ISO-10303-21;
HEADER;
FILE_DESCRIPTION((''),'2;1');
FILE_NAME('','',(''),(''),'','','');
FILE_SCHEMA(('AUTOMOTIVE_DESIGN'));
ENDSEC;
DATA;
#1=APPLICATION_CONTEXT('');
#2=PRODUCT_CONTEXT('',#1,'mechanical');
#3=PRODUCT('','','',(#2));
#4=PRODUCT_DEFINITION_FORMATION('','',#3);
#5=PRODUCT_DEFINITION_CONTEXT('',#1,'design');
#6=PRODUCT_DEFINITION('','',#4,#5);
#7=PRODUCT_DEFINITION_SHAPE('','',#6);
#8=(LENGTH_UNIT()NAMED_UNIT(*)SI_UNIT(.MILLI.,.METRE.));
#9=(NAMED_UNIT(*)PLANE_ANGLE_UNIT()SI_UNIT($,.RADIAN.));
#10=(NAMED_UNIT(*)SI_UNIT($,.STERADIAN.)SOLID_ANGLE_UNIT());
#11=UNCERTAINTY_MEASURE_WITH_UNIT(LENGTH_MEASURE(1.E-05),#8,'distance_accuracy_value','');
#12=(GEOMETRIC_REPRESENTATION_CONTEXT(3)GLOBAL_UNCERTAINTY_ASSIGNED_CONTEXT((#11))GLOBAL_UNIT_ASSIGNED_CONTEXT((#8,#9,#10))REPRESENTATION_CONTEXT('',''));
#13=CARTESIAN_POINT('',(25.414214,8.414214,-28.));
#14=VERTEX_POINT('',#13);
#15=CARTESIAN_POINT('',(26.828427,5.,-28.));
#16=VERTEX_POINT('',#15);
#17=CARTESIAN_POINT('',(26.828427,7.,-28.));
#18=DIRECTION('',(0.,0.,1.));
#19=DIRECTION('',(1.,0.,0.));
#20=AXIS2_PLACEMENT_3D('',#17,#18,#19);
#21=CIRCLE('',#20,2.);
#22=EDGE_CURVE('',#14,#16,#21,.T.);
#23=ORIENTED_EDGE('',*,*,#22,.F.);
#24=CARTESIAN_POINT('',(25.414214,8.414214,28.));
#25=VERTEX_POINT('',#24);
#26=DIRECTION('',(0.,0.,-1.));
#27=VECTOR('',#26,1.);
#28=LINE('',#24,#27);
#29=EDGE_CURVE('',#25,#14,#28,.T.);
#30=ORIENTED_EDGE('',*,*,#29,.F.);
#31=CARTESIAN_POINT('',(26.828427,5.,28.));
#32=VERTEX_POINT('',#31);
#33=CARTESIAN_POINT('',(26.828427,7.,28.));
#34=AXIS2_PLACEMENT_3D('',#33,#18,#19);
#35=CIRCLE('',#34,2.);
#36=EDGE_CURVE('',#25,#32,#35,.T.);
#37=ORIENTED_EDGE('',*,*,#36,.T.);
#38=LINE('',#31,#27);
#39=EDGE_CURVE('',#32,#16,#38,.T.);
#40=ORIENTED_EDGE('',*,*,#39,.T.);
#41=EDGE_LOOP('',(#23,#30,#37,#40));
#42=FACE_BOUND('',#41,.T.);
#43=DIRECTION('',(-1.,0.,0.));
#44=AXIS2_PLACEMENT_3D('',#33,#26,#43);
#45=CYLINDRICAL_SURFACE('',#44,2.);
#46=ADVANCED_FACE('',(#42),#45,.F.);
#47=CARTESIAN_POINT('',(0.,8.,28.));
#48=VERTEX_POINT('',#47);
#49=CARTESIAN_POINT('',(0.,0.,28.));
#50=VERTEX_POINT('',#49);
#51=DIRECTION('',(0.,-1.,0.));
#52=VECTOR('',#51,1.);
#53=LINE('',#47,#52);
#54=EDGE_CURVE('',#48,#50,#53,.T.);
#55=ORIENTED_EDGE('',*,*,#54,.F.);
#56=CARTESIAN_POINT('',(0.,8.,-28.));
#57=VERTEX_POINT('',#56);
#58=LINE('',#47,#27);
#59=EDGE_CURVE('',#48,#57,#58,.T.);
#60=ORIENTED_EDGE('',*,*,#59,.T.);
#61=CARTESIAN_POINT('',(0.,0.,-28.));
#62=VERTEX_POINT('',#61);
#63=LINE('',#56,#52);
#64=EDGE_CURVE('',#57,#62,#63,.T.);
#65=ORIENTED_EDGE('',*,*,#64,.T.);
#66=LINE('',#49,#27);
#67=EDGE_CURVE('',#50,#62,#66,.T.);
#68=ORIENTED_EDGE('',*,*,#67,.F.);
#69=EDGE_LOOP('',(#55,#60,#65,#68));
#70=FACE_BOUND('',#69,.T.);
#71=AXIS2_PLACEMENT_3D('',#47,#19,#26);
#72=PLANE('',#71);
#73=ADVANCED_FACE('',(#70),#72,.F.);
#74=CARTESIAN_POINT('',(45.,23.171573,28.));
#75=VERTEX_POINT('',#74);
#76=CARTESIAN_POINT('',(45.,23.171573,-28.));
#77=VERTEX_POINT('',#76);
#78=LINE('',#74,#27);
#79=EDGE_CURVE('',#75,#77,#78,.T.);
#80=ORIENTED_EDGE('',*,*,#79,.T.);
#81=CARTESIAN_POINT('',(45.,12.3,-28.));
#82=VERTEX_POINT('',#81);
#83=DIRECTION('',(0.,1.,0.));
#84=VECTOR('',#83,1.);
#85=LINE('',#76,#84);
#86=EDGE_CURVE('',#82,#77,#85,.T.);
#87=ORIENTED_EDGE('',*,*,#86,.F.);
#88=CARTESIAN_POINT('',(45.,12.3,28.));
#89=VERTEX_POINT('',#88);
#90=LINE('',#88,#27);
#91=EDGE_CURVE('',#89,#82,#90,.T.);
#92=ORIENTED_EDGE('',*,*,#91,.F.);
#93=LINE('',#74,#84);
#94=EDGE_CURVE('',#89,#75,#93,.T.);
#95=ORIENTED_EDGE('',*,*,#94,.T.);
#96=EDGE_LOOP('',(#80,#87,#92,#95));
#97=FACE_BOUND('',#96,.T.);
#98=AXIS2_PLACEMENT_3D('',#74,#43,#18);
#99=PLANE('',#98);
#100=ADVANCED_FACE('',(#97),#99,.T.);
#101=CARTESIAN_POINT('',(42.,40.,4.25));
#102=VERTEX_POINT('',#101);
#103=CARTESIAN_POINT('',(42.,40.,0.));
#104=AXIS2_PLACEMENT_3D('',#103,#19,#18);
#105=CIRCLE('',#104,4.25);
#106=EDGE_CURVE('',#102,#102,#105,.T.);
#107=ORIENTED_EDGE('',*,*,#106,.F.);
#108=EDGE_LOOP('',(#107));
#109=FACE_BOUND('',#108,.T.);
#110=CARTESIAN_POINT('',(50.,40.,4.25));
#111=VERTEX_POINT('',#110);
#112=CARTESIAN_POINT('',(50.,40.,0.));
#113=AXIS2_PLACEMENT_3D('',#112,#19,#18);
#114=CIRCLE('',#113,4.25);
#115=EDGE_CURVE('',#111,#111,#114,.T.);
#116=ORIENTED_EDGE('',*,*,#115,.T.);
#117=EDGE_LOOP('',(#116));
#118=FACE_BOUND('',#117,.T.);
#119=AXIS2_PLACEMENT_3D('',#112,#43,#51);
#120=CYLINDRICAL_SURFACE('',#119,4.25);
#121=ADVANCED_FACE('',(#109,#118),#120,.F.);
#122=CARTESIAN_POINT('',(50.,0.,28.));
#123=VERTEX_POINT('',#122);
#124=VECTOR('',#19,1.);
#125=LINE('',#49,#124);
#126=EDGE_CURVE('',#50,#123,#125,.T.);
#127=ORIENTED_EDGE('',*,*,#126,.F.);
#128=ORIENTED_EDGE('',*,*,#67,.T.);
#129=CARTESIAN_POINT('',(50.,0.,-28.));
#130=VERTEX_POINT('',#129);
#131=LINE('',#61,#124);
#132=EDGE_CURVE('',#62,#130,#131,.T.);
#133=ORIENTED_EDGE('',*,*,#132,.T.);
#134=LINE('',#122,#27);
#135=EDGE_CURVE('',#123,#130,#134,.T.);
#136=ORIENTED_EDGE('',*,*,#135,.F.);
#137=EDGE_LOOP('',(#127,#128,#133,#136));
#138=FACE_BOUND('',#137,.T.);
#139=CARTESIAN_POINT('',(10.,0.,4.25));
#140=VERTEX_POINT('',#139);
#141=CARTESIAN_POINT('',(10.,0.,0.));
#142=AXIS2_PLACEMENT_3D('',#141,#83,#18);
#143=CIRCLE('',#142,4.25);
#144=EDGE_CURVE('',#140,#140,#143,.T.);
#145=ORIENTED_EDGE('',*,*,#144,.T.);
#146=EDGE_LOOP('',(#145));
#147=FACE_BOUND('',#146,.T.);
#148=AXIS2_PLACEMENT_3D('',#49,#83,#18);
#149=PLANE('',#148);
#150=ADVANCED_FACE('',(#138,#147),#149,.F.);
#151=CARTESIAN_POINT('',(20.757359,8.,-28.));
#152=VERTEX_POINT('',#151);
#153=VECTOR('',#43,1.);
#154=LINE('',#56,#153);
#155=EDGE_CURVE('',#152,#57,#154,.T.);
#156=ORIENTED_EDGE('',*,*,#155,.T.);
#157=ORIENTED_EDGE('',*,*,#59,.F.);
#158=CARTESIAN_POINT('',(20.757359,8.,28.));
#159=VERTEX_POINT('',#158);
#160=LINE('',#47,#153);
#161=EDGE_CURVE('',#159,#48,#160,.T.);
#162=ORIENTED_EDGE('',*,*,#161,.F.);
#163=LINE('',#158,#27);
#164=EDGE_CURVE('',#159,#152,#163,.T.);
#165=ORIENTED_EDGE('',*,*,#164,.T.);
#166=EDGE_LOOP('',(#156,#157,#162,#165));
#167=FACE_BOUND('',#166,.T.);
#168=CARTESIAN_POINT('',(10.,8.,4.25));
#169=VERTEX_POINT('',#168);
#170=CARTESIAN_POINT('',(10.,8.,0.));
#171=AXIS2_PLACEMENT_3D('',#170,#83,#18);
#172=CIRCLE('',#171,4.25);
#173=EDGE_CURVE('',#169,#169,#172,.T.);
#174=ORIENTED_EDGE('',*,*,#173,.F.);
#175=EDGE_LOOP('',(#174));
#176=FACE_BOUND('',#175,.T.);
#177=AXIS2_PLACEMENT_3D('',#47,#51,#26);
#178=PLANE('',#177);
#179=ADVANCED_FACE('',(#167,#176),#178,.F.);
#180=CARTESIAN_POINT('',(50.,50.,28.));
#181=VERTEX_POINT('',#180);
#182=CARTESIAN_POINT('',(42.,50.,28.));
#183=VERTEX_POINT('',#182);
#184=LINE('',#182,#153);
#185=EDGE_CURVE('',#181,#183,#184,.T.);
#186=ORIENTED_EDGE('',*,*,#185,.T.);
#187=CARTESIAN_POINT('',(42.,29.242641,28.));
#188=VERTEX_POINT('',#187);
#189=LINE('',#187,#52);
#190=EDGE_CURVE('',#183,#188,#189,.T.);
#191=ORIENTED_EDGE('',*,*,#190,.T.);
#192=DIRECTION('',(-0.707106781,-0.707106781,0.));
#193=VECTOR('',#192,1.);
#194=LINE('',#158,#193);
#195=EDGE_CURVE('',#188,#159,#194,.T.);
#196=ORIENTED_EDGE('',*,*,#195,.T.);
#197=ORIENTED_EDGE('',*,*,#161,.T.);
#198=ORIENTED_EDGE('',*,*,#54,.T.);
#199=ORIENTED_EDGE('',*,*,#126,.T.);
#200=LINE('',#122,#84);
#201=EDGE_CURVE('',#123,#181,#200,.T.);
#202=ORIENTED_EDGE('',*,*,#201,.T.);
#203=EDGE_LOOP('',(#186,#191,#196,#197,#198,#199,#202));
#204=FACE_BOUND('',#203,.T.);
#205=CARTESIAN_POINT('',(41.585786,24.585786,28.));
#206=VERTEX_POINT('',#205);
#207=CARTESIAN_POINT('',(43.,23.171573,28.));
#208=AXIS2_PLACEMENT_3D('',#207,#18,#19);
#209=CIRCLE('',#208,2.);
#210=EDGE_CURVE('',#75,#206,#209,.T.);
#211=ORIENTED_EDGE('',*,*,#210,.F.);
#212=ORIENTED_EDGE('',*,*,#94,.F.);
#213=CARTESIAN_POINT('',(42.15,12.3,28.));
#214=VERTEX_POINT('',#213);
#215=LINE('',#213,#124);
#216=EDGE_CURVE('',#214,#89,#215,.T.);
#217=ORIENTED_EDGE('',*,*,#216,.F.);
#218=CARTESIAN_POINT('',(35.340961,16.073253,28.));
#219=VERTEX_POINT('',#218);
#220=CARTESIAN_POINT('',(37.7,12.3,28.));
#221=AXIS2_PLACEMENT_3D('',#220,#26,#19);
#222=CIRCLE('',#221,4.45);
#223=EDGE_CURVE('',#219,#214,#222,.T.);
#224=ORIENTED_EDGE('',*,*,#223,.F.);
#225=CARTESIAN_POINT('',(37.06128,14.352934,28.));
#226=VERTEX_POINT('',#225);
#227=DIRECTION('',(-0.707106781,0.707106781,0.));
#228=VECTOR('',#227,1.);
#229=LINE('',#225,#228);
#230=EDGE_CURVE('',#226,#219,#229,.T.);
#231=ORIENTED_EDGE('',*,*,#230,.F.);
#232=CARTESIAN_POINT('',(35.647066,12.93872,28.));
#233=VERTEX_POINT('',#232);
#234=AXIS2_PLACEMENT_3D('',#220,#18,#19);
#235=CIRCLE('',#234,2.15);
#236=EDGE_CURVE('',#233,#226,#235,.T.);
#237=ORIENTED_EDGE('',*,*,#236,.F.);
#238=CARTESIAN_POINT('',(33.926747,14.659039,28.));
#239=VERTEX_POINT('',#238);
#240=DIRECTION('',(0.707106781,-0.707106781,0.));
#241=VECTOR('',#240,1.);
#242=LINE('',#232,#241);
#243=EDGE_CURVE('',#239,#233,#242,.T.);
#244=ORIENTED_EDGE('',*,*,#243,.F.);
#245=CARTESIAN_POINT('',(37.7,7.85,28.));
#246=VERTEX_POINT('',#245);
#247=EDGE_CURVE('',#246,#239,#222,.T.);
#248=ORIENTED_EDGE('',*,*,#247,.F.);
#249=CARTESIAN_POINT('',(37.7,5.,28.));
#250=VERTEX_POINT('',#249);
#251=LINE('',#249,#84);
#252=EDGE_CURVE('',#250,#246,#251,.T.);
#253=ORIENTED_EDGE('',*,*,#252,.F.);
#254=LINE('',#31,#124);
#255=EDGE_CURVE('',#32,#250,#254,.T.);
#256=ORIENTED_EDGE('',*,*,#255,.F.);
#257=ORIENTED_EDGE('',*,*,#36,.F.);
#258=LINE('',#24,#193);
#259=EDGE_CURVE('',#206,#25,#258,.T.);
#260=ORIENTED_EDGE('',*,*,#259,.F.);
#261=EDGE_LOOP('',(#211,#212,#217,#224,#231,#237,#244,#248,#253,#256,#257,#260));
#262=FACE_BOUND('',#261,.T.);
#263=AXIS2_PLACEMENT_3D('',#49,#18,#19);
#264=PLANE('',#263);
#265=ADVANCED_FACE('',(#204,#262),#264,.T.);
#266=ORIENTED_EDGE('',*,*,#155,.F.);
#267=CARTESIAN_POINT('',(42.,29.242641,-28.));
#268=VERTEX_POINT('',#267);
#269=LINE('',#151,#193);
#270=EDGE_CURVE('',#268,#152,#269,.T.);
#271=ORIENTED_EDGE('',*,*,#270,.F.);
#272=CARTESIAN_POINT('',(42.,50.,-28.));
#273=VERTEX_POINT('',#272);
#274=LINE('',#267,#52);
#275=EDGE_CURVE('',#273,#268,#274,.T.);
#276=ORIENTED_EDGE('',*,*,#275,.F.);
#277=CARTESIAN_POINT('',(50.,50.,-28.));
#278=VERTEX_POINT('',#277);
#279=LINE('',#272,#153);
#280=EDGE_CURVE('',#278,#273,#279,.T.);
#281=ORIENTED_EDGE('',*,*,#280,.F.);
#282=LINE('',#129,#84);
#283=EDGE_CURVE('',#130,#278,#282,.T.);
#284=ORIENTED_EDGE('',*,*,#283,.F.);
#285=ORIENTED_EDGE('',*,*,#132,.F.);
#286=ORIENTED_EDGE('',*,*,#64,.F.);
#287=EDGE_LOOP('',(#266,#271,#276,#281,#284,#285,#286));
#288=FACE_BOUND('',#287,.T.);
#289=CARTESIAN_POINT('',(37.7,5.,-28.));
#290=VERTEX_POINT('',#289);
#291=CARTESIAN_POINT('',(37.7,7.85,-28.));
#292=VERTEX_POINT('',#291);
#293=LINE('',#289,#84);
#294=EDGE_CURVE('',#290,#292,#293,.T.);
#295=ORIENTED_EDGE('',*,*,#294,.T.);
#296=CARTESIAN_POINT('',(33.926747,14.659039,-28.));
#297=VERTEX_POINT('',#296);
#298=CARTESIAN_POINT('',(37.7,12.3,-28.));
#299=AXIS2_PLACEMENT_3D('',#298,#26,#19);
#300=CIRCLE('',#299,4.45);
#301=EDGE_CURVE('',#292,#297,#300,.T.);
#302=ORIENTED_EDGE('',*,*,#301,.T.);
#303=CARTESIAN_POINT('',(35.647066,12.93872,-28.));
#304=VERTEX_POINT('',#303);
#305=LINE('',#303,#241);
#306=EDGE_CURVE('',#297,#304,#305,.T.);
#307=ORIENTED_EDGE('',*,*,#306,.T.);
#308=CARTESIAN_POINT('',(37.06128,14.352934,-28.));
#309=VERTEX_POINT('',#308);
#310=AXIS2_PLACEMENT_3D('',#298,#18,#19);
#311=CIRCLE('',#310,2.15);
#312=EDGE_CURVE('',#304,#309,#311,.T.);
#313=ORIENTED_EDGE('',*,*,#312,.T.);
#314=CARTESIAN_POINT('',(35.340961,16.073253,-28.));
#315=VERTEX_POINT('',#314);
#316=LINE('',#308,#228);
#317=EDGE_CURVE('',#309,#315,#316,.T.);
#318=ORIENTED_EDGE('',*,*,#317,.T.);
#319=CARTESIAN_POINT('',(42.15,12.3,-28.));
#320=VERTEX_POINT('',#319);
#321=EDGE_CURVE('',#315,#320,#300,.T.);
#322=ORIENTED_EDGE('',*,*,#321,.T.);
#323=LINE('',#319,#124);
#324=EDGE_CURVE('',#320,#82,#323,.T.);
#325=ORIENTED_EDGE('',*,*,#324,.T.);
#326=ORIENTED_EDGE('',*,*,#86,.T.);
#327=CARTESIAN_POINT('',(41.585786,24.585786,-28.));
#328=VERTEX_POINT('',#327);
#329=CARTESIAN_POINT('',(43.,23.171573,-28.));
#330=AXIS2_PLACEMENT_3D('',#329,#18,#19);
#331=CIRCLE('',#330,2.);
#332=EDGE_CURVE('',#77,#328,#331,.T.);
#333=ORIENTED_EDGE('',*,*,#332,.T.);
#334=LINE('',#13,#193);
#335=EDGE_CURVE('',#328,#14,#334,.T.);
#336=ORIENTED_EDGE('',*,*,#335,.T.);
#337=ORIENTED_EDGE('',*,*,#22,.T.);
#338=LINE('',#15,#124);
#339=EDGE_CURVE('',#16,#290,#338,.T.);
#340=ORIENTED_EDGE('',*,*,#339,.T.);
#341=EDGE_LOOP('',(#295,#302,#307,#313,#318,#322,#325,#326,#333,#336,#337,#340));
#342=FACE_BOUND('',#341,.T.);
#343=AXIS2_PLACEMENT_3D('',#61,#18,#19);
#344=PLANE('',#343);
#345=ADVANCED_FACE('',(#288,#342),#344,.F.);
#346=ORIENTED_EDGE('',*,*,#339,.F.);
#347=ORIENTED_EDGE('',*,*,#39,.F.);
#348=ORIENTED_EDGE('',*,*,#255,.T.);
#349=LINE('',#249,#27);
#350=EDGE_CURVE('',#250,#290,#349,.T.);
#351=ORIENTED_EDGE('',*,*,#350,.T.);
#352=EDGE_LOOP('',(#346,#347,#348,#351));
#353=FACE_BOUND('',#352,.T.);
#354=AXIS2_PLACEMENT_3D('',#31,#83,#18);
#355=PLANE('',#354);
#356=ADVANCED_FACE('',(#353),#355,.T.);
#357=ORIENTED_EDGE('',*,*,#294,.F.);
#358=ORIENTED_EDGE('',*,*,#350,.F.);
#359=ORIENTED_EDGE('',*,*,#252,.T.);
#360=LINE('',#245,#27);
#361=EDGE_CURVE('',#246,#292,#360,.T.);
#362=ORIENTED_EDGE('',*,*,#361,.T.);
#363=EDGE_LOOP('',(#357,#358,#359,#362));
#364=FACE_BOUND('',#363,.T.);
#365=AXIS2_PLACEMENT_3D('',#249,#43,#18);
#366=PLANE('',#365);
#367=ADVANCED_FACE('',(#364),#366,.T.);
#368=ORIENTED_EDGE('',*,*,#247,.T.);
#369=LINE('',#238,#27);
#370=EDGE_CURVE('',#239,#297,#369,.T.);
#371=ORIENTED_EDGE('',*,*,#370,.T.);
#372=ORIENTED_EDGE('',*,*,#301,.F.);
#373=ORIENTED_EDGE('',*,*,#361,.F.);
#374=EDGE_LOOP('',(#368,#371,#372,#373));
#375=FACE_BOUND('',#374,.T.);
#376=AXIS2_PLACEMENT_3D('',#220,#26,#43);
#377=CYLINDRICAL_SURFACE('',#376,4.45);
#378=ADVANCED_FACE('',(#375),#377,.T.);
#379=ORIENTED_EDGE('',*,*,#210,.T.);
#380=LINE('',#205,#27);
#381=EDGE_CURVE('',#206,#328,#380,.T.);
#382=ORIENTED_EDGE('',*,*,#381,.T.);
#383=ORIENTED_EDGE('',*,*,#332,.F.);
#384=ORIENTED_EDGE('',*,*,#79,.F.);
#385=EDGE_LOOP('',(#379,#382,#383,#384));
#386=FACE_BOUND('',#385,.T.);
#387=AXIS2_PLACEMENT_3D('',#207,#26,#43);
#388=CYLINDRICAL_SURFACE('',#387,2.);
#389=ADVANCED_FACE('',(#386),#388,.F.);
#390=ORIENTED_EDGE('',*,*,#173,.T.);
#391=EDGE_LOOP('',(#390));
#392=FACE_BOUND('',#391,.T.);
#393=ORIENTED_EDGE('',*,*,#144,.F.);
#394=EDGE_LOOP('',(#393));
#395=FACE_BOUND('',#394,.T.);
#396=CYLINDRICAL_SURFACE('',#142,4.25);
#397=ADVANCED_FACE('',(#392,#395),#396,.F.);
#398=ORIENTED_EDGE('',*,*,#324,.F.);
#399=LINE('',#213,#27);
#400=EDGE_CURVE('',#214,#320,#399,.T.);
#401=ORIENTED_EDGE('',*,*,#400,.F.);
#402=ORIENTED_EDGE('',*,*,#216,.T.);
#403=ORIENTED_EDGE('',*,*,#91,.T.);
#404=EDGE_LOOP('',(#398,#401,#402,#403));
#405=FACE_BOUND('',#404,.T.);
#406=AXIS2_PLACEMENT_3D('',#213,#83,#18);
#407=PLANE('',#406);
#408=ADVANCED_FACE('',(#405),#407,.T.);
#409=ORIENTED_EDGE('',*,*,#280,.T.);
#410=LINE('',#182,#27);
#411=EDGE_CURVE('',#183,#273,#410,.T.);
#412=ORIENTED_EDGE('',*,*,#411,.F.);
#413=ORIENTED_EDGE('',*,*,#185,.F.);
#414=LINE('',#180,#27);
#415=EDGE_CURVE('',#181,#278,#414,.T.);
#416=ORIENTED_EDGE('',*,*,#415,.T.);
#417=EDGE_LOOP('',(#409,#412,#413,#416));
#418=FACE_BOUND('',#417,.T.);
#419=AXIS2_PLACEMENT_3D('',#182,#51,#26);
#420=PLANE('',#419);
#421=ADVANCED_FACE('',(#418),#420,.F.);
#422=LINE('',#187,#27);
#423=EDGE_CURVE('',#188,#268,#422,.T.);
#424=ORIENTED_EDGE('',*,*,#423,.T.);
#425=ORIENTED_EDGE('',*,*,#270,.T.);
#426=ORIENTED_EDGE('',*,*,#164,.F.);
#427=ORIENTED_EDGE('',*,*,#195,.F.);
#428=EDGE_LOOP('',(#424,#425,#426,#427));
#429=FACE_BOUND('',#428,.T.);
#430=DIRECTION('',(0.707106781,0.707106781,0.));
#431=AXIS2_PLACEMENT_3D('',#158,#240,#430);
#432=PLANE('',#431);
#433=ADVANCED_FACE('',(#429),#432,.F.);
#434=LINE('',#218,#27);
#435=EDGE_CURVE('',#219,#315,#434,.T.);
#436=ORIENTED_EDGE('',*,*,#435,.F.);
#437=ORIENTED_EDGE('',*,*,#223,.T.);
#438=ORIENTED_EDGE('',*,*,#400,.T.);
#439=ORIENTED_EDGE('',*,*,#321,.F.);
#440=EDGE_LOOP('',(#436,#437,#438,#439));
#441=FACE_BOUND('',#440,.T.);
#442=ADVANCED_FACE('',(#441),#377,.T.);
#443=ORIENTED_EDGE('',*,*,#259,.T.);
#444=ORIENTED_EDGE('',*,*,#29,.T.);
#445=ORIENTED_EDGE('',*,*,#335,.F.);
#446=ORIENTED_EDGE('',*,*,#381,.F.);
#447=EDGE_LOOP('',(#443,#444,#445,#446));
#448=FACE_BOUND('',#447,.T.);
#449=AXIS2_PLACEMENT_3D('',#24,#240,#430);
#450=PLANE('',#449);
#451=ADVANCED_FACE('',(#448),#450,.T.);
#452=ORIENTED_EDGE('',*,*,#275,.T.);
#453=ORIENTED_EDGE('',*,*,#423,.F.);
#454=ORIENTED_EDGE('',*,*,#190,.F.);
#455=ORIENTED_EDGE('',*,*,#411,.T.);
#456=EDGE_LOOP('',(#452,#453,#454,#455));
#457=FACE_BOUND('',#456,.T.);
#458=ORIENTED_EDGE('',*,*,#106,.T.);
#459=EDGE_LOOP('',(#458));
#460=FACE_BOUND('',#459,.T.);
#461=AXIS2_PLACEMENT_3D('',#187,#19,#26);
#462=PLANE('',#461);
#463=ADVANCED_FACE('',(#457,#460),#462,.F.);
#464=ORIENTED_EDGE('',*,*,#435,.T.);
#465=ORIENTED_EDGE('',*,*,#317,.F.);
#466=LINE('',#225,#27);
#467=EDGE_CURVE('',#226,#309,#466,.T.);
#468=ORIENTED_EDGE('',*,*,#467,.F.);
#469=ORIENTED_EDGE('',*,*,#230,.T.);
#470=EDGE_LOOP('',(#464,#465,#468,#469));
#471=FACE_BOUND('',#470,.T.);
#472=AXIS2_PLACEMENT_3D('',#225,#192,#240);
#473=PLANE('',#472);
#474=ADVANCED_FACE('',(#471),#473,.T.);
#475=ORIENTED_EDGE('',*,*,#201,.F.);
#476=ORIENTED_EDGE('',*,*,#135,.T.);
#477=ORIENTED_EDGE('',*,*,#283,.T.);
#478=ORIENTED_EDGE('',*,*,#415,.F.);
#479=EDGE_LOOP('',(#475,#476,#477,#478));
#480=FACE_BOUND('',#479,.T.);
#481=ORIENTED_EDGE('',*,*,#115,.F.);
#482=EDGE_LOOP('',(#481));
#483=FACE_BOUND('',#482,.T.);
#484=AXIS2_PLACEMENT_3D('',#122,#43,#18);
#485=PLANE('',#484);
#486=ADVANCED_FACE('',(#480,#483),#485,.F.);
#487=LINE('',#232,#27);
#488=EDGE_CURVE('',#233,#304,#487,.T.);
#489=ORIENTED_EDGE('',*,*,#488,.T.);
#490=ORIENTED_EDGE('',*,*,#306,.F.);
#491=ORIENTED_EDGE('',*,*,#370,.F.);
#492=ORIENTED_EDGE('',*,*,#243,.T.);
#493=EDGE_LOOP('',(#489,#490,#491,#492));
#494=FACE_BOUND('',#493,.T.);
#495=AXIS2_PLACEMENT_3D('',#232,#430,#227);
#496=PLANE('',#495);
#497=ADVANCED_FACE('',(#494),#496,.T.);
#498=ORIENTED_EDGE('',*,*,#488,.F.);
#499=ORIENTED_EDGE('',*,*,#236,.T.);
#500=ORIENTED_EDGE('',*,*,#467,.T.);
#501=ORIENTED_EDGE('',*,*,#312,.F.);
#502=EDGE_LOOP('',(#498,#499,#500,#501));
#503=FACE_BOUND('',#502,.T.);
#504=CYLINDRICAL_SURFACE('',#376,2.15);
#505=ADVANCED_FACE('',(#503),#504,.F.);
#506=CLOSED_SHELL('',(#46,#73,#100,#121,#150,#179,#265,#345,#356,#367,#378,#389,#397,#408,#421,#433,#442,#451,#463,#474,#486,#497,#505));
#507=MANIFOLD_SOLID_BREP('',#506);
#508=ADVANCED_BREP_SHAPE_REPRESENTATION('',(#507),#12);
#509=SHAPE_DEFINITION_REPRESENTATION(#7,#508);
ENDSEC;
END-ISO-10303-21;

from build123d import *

# Parameters (mm, degrees)
EXTRUDE_1_DEPTH     = 28
SKETCH_3_R          = 4.25
CUT_EXTRUDE_1_DEPTH = 72.049278673


with BuildPart() as part:
    # 草图1 → 凸台-拉伸1 (new, symmetric)
    with BuildSketch(Plane.XY):
        Polygon((0, 0), (50, 0), (50, 50), (42, 50), (42, 29.242640687), (20.757359313, 8), (0, 8), align=None)
        with BuildLine():
            Line((37.061279898, 14.352933665), (35.340960992, 16.07325257))
            ThreePointArc((35.340960992, 16.07325257), (39.856939547, 16.192314452), (42.15, 12.3))
            Line((42.15, 12.3), (45, 12.3))
            Line((45, 12.3), (45, 23.171572875))
            ThreePointArc((45, 23.171572875), (43.765366865, 25.01933194), (41.585786438, 24.585786438))
            Line((41.585786438, 24.585786438), (25.414213562, 8.414213562))
            ThreePointArc((25.414213562, 8.414213562), (24.98066806, 6.234633135), (26.828427125, 5))
            Line((26.828427125, 5), (37.7, 5))
            Line((37.7, 5), (37.7, 7.85))
            ThreePointArc((37.7, 7.85), (33.807685548, 10.143060453), (33.92674743, 14.659039008))
            Line((33.92674743, 14.659039008), (35.647066335, 12.938720102))
            ThreePointArc((35.647066335, 12.938720102), (39.22027958, 10.77972042), (37.061279898, 14.352933665))
        make_face(mode=Mode.SUBTRACT)
    extrude(amount=EXTRUDE_1_DEPTH, both=True)

    # 草图3 → 切除-拉伸1 (cut, through all)
    with BuildSketch(Plane(origin=(0, 8, 0), x_dir=(1, 0, 0), z_dir=(0, 1, 0))):
        with Locations(Location((10, 0, 0), (0, 0, 270))):
            Circle(SKETCH_3_R)
    cut_extrude_1 = extrude(amount=-CUT_EXTRUDE_1_DEPTH, mode=Mode.SUBTRACT)

    # 镜向1: 切除-拉伸1 across plane
    add(cut_extrude_1.mirror(Plane(origin=(25, 25, 0), x_dir=(0, 0, 1), z_dir=(-0.7071067811865486, -0.7071067811865465, 0))), mode=Mode.SUBTRACT)


solid = part.part
